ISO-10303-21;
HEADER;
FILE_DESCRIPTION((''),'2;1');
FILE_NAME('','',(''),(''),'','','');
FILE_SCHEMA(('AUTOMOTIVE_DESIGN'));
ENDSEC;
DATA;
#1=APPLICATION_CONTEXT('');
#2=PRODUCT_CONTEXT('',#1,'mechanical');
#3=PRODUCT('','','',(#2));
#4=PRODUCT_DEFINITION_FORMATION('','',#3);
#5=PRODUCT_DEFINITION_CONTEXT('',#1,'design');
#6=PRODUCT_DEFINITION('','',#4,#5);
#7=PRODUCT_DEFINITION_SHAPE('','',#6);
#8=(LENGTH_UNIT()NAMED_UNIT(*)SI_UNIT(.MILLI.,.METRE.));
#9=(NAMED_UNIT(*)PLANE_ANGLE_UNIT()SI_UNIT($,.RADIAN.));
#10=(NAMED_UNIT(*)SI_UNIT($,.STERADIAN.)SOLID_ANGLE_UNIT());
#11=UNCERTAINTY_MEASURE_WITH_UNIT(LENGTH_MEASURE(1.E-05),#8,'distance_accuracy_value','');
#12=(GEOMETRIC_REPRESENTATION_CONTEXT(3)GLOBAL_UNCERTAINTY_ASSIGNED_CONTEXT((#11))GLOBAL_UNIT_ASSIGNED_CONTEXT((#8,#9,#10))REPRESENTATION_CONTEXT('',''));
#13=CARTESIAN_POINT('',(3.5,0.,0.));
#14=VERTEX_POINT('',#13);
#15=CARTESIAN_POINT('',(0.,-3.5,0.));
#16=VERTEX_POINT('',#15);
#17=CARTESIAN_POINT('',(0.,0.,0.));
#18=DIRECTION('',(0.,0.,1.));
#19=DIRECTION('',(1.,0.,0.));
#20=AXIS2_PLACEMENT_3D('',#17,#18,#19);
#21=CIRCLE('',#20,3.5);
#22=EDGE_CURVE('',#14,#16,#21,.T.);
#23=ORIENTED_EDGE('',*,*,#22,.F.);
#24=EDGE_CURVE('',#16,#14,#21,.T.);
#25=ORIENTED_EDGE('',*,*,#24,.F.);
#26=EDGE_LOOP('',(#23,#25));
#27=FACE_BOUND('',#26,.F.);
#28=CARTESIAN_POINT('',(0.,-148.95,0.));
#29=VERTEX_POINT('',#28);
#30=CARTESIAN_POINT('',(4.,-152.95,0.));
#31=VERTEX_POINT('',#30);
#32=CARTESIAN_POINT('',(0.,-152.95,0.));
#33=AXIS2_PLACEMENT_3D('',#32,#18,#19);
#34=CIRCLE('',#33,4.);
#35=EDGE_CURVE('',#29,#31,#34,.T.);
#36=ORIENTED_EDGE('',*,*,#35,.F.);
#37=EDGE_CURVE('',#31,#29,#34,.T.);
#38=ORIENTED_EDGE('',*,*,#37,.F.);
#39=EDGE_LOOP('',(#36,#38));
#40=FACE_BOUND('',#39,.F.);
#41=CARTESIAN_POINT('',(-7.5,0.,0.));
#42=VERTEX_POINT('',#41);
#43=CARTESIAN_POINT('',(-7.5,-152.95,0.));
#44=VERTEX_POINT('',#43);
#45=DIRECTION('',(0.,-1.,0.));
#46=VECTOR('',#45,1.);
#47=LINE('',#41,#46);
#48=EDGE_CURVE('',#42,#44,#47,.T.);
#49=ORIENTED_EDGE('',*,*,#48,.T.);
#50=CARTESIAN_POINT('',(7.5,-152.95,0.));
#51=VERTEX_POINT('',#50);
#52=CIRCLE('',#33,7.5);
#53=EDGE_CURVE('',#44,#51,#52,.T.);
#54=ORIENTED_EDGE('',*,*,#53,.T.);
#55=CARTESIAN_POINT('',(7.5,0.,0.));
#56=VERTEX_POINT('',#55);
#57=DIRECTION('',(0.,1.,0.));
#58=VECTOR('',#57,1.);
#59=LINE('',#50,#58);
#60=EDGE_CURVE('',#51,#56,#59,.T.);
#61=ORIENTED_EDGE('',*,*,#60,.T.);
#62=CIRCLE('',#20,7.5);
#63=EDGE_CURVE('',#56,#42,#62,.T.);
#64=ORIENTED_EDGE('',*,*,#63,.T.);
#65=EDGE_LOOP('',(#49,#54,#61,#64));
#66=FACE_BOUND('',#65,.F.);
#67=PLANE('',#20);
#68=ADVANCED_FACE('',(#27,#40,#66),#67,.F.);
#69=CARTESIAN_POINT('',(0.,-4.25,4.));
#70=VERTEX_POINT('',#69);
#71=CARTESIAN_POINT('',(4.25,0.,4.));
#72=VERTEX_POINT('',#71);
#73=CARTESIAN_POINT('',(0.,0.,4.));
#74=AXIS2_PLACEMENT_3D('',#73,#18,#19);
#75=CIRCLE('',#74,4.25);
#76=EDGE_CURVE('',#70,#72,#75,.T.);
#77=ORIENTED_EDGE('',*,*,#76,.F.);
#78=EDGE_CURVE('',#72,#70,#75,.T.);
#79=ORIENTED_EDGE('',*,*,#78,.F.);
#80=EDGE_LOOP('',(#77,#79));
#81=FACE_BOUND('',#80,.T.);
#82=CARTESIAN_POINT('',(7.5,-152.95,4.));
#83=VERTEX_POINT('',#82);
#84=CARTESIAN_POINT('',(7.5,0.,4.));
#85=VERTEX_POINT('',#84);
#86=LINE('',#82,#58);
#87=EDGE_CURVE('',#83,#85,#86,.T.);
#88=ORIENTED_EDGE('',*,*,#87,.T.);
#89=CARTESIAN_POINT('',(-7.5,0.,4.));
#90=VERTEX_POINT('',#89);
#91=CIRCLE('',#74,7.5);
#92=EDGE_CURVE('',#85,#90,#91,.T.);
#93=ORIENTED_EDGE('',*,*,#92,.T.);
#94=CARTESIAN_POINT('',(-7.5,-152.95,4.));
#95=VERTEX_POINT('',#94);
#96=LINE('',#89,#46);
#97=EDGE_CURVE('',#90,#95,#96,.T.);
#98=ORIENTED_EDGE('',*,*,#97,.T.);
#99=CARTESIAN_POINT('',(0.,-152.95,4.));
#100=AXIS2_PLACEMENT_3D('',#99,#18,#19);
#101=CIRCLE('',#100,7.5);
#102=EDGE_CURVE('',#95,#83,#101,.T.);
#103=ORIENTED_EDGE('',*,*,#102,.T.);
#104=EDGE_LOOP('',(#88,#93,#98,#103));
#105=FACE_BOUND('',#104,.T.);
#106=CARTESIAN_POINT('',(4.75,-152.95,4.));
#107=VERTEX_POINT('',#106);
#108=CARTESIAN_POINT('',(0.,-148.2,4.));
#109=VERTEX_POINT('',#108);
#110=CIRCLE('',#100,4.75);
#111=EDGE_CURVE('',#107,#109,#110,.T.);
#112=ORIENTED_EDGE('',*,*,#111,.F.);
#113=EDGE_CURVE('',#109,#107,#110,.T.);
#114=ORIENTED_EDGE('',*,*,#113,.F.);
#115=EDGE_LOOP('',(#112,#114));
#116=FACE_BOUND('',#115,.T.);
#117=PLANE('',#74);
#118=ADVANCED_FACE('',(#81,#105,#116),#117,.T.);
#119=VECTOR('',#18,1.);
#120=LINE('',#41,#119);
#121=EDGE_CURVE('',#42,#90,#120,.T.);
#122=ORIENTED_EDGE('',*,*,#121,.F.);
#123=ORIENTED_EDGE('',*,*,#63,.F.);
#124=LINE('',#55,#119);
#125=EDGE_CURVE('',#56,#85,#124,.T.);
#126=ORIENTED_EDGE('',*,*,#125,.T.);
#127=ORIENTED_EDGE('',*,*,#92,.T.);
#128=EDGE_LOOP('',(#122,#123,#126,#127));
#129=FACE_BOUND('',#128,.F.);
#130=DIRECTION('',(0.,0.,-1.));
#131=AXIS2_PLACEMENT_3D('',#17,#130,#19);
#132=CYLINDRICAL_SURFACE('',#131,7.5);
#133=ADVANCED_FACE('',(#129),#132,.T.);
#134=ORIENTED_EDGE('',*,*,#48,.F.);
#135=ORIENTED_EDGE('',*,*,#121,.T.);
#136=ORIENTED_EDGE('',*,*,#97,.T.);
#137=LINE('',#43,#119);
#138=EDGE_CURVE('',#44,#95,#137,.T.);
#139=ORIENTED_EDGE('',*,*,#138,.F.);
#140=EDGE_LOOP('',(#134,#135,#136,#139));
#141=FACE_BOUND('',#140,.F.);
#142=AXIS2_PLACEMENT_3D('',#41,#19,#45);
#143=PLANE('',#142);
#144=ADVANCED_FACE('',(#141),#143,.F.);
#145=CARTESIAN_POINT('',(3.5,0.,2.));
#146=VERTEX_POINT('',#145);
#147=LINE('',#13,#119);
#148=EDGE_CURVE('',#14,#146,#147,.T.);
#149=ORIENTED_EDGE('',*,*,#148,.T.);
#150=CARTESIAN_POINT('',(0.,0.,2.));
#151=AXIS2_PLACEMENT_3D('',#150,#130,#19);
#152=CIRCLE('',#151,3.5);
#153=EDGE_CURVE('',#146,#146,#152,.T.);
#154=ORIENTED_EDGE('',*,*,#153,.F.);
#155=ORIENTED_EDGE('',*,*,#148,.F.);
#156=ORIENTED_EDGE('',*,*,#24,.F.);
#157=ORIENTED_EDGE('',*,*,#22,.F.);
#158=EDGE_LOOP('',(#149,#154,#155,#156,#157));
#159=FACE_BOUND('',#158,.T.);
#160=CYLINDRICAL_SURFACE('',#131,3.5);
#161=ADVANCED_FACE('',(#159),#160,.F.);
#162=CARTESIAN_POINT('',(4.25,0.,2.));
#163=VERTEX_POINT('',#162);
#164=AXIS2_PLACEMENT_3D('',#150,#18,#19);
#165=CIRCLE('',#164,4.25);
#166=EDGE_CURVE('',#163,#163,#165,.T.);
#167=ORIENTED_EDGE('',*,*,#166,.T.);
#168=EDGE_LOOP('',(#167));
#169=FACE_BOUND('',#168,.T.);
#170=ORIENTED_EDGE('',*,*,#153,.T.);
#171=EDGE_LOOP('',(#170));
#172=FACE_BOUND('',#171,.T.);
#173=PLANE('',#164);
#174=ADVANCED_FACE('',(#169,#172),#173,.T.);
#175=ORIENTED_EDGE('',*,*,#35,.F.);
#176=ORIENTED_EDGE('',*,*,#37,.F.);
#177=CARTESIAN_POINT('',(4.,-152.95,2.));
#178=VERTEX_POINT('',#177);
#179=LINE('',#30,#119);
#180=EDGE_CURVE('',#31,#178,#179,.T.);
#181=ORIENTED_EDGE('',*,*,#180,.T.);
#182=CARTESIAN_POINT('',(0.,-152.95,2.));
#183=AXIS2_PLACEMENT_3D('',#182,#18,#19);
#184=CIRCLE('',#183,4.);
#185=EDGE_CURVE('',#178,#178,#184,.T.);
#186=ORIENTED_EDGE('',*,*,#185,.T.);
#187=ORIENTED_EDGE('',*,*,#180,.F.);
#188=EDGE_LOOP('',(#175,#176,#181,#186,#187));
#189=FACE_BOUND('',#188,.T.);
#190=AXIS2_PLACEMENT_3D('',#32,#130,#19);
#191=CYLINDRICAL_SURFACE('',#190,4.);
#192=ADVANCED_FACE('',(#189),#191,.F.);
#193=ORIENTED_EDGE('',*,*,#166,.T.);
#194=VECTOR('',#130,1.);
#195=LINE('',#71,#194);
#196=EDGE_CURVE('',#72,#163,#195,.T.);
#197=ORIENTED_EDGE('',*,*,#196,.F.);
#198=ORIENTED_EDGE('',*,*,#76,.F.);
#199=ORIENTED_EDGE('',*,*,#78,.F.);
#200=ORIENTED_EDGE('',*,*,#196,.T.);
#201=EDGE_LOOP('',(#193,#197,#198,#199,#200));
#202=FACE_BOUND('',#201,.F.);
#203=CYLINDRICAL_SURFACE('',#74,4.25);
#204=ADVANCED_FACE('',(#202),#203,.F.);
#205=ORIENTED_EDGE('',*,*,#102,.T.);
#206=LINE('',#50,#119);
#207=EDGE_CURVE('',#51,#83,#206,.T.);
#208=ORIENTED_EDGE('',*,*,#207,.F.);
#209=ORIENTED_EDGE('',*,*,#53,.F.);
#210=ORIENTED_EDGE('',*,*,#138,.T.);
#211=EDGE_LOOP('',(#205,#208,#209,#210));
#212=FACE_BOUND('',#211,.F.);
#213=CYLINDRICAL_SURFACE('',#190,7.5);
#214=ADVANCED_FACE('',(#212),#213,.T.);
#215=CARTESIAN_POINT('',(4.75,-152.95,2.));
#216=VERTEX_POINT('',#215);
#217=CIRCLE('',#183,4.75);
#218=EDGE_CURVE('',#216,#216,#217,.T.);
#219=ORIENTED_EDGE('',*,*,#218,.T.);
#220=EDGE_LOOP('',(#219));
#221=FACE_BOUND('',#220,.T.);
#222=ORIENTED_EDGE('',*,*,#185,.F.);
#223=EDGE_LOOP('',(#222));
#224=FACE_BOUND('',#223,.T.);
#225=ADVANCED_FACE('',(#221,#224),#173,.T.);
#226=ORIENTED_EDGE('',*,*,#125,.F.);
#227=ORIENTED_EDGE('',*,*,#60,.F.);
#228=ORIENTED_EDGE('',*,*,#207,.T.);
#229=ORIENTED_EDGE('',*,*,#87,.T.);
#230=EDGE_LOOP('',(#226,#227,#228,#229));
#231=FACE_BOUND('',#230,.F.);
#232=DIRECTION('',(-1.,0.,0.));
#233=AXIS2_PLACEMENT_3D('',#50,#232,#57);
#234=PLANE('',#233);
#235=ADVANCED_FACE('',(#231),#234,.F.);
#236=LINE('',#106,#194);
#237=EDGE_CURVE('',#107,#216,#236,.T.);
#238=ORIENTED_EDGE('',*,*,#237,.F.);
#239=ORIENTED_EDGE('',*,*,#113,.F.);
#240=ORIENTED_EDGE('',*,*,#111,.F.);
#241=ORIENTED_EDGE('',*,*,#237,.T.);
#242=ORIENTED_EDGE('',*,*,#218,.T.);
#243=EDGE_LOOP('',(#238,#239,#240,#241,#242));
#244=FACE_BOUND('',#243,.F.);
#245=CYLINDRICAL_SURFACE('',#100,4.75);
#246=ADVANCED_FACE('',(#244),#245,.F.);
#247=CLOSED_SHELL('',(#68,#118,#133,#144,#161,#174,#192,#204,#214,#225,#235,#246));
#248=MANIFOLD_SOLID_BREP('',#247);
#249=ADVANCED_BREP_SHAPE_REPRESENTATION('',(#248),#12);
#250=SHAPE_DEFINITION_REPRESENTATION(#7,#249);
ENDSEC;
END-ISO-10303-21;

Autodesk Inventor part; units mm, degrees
ref_plane "YZ Plane" through (0, 0, 0) normal (1, 0, 0) x (0, 1, 0)
ref_plane "XZ Plane" through (0, 0, 0) normal (0, 1, 0) x (-1, 0, 0)
ref_plane "XY Plane" through (0, 0, 0) normal (0, 0, 1) x (1, 0, 0)
sketch "スケッチ1" plane through (0, 0, 0) normal (0, 1, 0) x (-1, 0, 0)
  point P0 (0, 0)
sketch "スケッチ2" plane through (0, 0, 0) normal (0, 0, 1) x (1, 0, 0)
  circle A0 centre (0, 0) radius 3.5
  circle A1 centre (0, 0) radius 7.5
  line L0 (0, 0) -> (0, -152.95)
  circle A2 centre (0, -152.95) radius 4
  circle A3 centre (0, -152.95) radius 7.5
  line L1 (7.5, -152.95) -> (7.5, 0)
  line L2 (-7.5, 0) -> (-7.5, -152.95)
  dimension "d0" = 7
  dimension "d1" = 15
  dimension "d2" = 152.95
  dimension "d3" = 8
  dimension "d4" = 15
extrude "押し出し1" add sketch "スケッチ2" along normal blind 4
sketch "スケッチ4" plane through (0, 0, 4) normal (0, 0, 1) x (1, 0, 0)
  arc A0 (7.5, 0) -> (-7.5, 0) centre (0, 0) ccw projected
  circle A1 centre (0, 0) radius 4.25
  circle A2 centre (0, -152.95) radius 4 projected
  circle A3 centre (0, -152.95) radius 4.75
  dimension "d10" = 8.5
  dimension "d11" = 9.5
extrude "押し出し3" cut sketch "スケッチ4" against normal blind 2
properties part number "motor_holder_top"
